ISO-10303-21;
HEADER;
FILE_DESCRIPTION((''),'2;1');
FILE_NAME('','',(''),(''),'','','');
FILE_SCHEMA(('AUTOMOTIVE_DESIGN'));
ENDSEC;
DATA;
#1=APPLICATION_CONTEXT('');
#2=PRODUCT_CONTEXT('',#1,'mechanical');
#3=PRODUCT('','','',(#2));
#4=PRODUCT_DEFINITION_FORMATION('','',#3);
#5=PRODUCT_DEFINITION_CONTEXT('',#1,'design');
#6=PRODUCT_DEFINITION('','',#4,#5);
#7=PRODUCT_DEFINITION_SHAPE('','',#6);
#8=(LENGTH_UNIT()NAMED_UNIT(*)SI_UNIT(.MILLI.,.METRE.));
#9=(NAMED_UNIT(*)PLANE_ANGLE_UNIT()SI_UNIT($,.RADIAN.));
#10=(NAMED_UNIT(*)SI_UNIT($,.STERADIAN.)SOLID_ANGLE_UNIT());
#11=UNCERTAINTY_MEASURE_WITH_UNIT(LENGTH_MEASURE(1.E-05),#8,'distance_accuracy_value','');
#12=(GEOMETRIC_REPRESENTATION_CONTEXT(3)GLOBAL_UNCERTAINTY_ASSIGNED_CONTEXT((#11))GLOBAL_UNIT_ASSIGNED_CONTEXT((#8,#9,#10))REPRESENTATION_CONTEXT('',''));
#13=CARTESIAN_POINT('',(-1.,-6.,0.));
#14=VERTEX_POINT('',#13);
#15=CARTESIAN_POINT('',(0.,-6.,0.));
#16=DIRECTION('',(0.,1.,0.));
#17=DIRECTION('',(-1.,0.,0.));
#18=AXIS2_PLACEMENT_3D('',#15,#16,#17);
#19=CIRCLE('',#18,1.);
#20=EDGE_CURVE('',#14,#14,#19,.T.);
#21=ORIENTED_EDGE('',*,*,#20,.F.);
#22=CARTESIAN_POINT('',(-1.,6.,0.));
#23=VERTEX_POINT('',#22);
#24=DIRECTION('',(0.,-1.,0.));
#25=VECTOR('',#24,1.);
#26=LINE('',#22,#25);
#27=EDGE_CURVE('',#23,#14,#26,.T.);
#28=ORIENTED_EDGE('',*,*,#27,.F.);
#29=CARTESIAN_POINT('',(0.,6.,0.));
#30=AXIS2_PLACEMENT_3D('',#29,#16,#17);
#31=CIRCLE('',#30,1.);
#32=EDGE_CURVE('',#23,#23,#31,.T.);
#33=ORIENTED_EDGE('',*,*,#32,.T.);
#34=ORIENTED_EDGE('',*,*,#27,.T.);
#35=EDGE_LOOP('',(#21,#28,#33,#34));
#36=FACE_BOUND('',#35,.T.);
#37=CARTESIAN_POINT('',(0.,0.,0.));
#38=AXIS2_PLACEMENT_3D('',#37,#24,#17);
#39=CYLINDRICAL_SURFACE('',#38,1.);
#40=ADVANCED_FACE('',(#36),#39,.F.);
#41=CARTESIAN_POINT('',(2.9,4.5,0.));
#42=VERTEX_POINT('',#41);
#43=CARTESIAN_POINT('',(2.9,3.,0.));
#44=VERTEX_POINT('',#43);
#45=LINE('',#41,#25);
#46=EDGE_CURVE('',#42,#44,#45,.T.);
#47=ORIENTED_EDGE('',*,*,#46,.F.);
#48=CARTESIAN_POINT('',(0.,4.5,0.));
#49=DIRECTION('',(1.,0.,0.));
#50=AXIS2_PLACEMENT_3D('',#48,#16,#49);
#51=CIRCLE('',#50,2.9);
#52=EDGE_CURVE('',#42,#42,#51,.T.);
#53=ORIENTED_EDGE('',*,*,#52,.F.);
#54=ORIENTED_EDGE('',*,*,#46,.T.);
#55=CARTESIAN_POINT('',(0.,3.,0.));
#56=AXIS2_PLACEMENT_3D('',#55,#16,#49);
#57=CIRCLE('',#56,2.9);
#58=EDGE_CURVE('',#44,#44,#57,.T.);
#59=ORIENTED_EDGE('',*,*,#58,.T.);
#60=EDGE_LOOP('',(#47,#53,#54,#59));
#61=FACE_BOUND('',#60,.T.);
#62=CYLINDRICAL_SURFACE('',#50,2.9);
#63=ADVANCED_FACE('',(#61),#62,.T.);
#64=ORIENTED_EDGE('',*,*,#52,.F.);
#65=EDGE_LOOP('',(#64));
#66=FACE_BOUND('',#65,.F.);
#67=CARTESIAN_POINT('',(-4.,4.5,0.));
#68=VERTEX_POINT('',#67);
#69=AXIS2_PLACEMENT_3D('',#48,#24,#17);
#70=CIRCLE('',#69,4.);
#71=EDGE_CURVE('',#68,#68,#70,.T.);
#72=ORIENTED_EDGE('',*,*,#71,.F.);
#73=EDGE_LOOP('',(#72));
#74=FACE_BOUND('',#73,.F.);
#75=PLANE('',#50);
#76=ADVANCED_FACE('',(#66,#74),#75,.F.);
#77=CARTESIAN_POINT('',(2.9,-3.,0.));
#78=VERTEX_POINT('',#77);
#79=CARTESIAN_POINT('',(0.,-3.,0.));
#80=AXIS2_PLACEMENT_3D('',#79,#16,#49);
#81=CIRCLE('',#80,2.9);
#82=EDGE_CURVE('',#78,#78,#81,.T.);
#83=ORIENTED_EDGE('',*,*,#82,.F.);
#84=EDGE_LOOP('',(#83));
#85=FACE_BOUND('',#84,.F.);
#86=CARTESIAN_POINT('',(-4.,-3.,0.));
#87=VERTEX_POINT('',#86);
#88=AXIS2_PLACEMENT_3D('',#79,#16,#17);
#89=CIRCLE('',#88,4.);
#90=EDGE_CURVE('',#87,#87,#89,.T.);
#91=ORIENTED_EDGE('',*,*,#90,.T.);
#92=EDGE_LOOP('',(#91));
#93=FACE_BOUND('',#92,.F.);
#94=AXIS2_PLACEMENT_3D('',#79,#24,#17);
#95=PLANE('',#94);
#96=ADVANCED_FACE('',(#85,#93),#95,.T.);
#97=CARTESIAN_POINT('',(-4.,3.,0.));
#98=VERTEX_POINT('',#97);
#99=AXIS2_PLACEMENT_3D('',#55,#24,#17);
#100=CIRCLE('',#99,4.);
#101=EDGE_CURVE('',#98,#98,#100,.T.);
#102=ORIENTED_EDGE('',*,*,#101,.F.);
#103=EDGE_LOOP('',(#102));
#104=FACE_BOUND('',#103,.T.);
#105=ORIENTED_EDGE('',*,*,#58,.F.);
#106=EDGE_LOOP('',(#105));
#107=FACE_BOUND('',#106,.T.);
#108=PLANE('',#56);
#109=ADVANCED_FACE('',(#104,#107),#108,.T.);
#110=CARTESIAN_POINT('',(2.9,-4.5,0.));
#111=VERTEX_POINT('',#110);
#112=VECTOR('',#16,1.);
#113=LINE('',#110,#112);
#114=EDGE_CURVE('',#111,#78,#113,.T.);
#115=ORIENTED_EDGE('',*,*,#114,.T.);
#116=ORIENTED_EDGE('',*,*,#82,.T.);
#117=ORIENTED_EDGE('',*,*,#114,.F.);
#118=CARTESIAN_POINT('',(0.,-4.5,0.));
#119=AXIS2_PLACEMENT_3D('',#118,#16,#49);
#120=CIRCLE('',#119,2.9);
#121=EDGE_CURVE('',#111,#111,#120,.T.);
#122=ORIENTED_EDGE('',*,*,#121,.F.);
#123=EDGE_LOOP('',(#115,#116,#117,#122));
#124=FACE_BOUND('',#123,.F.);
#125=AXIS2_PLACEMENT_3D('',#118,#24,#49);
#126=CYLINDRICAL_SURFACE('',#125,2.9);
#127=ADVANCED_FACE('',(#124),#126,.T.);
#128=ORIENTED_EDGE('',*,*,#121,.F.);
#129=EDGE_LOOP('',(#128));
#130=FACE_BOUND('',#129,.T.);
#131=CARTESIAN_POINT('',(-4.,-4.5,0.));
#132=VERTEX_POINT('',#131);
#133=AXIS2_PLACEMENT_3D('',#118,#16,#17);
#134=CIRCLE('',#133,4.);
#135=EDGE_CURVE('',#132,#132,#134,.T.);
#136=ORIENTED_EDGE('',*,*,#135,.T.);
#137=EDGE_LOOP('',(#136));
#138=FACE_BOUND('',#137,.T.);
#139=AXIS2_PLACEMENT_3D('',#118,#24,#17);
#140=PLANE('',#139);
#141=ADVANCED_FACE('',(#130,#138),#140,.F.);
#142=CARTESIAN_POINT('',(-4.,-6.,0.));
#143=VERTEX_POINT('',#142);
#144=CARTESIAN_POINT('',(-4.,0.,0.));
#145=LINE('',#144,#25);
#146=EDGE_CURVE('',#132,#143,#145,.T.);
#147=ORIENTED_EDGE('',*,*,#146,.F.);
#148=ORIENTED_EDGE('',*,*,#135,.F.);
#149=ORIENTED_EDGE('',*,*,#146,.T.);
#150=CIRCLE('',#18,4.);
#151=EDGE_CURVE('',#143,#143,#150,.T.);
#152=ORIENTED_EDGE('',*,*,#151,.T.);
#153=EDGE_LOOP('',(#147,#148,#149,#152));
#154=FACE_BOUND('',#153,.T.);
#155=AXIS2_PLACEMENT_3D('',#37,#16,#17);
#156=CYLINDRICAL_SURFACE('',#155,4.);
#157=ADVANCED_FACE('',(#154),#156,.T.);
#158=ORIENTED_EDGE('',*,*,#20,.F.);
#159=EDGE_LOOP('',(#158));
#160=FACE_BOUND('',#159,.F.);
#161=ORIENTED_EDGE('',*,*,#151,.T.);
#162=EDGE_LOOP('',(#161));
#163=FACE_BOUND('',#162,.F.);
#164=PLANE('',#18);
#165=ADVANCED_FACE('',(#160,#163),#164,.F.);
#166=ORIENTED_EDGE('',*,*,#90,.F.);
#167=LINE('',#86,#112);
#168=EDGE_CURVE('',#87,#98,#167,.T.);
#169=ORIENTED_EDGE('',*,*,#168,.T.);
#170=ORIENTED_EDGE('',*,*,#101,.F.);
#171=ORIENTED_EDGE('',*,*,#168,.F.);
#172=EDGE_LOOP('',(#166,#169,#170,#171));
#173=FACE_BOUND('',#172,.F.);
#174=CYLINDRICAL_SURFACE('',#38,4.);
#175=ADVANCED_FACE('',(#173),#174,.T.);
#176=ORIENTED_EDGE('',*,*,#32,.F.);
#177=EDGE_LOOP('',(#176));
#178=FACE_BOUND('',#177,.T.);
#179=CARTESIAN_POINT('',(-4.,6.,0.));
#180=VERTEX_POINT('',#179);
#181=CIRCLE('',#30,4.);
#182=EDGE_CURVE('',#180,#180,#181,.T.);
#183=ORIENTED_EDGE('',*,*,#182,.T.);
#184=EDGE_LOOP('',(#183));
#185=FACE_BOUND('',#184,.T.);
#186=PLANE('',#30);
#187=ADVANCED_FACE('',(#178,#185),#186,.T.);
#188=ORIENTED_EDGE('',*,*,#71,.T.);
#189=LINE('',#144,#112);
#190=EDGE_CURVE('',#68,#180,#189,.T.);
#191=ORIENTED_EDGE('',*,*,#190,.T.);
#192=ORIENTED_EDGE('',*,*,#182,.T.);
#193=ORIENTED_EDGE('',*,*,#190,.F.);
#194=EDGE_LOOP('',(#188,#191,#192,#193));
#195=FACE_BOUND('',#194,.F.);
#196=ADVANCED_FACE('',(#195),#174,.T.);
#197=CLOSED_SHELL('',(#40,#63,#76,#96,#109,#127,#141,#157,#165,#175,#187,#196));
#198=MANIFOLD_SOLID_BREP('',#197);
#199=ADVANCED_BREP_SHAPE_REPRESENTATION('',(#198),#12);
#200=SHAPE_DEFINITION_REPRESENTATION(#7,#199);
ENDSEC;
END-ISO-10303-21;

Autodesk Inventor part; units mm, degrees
ref_plane "YZ Plane" through (0, 0, 0) normal (1, 0, 0) x (0, 1, 0)
ref_plane "XZ Plane" through (0, 0, 0) normal (0, 1, 0) x (-1, 0, 0)
sketch "Boceto1" plane through (0, 0, 0) normal (0, 1, 0) x (-1, 0, 0)
  circle A0 centre (0, 0) radius 4
  circle A1 centre (0, 0) radius 1
  dimension "d0" = 8
  dimension "d7" = 2
extrude "Extrusión1" add sketch "Boceto1" along normal mid plane 12
ref_plane "Plano de trabajo1" through (0, 4.5, 0) normal (0, 1, 0) x (1, 0, 0)
sketch "Boceto2" plane through (0, 4.5, 0) normal (0, 1, 0) x (1, 0, 0)
  circle A0 centre (0, 0) radius 4 projected
  circle A1 centre (0, 0) radius 2.9
  dimension "d4" = 5.8
extrude "Extrusión2" cut sketch "Boceto2" against normal blind 1.5
mirror "Simetría1" about plane through (0, 0, 0) normal (0, 1, 0) of "Extrusión2"
properties part number "antivibracion_3DPrint"
